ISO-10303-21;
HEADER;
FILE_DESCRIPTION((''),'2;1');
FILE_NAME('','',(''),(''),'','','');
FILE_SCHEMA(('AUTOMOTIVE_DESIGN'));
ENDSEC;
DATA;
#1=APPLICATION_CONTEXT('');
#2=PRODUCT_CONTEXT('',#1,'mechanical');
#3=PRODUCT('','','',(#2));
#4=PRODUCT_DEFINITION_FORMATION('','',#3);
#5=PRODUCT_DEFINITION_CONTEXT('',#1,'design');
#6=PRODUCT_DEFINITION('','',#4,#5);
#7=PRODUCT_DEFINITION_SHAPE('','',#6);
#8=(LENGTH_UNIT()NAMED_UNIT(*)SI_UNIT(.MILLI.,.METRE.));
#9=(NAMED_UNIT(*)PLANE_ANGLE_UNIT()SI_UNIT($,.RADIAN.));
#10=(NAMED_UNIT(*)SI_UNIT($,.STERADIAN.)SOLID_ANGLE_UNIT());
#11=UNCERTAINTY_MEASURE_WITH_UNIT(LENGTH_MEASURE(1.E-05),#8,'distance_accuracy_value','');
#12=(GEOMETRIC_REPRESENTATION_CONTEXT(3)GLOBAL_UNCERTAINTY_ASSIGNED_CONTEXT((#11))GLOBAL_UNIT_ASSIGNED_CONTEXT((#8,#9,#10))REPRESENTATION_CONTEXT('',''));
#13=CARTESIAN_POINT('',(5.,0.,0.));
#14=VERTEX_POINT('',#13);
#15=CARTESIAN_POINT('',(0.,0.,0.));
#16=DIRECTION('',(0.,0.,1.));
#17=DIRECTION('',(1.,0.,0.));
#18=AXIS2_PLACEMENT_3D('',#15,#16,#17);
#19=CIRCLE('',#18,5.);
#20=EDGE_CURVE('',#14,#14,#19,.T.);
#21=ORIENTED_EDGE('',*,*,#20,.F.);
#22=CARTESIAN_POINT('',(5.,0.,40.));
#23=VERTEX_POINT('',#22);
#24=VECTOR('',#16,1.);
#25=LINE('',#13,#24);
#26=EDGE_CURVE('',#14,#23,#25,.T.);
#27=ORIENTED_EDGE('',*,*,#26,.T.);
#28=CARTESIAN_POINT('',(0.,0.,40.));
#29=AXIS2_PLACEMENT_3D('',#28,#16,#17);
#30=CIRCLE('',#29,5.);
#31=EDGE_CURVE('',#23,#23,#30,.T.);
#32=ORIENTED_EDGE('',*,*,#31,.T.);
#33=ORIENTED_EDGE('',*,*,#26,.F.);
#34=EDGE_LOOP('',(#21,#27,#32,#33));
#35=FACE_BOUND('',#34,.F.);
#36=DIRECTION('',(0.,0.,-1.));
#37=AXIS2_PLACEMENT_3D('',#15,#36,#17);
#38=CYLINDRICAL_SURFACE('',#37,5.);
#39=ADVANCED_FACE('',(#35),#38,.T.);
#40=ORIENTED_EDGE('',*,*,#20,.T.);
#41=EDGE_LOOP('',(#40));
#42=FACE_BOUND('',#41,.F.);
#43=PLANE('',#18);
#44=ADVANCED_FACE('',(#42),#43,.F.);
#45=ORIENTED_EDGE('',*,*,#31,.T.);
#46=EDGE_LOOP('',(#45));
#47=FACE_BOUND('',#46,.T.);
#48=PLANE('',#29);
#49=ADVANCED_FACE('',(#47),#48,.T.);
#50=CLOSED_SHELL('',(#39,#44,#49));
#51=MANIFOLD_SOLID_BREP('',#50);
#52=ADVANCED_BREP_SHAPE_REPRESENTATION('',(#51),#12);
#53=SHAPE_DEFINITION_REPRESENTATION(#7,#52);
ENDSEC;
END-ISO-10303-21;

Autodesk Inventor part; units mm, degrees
ref_plane "YZ Plane" through (0, 0, 0) normal (1, 0, 0) x (0, 1, 0)
ref_plane "XZ Plane" through (0, 0, 0) normal (0, 1, 0) x (-1, 0, 0)
ref_plane "XY Plane" through (0, 0, 0) normal (0, 0, 1) x (1, 0, 0)
sketch "草圖1" plane through (0, 0, 0) normal (0, 0, 1) x (1, 0, 0)
  circle A0 centre (0, 0) radius 5
  dimension "d0" = 10
extrude "擠出1" add sketch "草圖1" along normal blind 40
properties part number "Stage1_sun_shaft"
